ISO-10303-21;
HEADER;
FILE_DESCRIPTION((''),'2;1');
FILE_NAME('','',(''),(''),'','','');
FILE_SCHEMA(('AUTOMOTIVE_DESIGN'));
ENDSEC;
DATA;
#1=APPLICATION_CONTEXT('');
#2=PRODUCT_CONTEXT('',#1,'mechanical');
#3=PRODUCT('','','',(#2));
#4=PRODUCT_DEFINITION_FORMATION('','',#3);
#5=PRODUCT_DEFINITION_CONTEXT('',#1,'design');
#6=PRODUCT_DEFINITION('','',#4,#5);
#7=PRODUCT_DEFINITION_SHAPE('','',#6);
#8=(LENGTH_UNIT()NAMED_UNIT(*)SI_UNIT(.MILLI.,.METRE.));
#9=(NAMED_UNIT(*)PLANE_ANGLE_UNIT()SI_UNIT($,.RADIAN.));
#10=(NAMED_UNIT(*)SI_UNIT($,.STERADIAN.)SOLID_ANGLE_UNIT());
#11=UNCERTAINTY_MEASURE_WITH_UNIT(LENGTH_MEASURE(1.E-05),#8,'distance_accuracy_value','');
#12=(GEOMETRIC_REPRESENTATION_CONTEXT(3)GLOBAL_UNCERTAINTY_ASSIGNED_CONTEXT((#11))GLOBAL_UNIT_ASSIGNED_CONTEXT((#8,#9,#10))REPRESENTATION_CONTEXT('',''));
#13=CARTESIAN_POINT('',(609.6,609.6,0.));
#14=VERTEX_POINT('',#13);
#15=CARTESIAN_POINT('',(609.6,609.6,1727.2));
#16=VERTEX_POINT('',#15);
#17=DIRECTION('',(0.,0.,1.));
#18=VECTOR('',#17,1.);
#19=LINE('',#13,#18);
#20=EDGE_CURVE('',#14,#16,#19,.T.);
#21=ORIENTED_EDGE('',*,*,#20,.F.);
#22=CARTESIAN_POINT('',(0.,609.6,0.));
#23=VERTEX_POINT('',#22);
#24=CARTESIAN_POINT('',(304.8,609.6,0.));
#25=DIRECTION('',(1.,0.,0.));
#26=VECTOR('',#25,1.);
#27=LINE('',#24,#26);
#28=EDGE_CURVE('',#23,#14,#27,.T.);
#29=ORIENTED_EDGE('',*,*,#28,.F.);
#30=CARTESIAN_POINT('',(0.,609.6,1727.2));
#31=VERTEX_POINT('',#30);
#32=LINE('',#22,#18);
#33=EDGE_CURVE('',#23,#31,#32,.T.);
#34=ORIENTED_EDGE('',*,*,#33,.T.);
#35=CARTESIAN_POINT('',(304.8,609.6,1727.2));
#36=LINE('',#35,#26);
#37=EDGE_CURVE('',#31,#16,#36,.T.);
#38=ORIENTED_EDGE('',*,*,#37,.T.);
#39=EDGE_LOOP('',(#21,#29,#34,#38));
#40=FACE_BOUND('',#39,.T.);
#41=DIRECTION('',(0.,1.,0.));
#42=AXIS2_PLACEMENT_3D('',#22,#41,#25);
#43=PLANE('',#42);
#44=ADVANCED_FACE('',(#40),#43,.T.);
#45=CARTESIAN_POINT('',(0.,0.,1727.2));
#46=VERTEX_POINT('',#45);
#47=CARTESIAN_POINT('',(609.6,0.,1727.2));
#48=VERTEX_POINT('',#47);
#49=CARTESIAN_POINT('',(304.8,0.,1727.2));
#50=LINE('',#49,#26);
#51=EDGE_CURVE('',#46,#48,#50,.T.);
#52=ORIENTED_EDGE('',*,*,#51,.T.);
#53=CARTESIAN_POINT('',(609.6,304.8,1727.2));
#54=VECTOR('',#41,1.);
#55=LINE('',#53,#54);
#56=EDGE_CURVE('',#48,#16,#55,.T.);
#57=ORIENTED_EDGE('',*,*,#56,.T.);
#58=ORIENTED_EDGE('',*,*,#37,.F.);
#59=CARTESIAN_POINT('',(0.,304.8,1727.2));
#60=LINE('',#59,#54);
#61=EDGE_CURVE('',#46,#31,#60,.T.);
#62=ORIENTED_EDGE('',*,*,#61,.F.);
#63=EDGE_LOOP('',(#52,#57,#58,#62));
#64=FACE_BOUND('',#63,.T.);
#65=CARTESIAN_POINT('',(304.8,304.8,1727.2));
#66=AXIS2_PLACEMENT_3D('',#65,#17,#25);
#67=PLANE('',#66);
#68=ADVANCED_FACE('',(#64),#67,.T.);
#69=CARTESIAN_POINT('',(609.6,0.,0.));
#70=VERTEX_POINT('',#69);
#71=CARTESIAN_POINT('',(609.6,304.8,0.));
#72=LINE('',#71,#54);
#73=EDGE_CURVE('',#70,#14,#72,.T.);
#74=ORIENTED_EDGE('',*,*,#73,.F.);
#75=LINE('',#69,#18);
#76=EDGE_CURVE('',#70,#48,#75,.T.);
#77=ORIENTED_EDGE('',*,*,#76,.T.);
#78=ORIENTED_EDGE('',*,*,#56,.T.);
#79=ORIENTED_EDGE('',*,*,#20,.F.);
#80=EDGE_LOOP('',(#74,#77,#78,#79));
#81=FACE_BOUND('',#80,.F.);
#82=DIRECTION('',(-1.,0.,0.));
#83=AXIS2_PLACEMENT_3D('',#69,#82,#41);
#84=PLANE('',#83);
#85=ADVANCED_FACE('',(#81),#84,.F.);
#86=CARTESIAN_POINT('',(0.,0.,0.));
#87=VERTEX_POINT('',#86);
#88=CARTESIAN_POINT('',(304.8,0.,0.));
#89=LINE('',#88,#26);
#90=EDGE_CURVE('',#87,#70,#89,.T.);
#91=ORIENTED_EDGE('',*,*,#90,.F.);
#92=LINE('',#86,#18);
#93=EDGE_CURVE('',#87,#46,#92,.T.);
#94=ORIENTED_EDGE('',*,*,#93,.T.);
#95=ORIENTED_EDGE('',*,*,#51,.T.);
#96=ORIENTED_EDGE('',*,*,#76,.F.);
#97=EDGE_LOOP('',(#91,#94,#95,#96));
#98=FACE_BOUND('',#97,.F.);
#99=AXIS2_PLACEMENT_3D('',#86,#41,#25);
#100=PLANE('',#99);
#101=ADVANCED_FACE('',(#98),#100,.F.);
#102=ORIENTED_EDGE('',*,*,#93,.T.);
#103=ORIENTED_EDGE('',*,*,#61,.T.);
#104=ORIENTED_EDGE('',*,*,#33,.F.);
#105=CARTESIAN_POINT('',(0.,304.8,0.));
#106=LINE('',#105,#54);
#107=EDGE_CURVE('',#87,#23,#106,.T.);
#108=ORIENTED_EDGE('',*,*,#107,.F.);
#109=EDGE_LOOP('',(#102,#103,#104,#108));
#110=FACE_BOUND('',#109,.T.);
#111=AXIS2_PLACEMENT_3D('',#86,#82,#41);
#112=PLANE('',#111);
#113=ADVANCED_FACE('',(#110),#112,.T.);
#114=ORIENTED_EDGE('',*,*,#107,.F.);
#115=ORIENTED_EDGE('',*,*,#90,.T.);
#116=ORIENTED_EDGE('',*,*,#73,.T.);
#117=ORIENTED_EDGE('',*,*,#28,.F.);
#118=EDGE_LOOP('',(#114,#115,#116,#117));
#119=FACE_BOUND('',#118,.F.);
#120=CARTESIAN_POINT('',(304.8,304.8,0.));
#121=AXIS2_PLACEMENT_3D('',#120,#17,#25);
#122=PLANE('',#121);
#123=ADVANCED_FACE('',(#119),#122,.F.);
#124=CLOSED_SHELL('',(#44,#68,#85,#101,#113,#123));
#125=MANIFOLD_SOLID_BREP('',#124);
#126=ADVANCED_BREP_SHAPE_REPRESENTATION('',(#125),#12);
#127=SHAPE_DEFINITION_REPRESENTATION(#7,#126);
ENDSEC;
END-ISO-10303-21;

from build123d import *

# Parameters (mm, degrees)
SKETCH_W  = 609.6
SKETCH_H  = 609.6
PAD_DEPTH = 1727.2


with BuildPart() as part:
    # Sketch → Pad (new body)
    with BuildSketch(Plane.XY):
        with Locations((304.8, 304.8)):
            Rectangle(SKETCH_W, SKETCH_H)
    extrude(amount=PAD_DEPTH)


solid = part.part
